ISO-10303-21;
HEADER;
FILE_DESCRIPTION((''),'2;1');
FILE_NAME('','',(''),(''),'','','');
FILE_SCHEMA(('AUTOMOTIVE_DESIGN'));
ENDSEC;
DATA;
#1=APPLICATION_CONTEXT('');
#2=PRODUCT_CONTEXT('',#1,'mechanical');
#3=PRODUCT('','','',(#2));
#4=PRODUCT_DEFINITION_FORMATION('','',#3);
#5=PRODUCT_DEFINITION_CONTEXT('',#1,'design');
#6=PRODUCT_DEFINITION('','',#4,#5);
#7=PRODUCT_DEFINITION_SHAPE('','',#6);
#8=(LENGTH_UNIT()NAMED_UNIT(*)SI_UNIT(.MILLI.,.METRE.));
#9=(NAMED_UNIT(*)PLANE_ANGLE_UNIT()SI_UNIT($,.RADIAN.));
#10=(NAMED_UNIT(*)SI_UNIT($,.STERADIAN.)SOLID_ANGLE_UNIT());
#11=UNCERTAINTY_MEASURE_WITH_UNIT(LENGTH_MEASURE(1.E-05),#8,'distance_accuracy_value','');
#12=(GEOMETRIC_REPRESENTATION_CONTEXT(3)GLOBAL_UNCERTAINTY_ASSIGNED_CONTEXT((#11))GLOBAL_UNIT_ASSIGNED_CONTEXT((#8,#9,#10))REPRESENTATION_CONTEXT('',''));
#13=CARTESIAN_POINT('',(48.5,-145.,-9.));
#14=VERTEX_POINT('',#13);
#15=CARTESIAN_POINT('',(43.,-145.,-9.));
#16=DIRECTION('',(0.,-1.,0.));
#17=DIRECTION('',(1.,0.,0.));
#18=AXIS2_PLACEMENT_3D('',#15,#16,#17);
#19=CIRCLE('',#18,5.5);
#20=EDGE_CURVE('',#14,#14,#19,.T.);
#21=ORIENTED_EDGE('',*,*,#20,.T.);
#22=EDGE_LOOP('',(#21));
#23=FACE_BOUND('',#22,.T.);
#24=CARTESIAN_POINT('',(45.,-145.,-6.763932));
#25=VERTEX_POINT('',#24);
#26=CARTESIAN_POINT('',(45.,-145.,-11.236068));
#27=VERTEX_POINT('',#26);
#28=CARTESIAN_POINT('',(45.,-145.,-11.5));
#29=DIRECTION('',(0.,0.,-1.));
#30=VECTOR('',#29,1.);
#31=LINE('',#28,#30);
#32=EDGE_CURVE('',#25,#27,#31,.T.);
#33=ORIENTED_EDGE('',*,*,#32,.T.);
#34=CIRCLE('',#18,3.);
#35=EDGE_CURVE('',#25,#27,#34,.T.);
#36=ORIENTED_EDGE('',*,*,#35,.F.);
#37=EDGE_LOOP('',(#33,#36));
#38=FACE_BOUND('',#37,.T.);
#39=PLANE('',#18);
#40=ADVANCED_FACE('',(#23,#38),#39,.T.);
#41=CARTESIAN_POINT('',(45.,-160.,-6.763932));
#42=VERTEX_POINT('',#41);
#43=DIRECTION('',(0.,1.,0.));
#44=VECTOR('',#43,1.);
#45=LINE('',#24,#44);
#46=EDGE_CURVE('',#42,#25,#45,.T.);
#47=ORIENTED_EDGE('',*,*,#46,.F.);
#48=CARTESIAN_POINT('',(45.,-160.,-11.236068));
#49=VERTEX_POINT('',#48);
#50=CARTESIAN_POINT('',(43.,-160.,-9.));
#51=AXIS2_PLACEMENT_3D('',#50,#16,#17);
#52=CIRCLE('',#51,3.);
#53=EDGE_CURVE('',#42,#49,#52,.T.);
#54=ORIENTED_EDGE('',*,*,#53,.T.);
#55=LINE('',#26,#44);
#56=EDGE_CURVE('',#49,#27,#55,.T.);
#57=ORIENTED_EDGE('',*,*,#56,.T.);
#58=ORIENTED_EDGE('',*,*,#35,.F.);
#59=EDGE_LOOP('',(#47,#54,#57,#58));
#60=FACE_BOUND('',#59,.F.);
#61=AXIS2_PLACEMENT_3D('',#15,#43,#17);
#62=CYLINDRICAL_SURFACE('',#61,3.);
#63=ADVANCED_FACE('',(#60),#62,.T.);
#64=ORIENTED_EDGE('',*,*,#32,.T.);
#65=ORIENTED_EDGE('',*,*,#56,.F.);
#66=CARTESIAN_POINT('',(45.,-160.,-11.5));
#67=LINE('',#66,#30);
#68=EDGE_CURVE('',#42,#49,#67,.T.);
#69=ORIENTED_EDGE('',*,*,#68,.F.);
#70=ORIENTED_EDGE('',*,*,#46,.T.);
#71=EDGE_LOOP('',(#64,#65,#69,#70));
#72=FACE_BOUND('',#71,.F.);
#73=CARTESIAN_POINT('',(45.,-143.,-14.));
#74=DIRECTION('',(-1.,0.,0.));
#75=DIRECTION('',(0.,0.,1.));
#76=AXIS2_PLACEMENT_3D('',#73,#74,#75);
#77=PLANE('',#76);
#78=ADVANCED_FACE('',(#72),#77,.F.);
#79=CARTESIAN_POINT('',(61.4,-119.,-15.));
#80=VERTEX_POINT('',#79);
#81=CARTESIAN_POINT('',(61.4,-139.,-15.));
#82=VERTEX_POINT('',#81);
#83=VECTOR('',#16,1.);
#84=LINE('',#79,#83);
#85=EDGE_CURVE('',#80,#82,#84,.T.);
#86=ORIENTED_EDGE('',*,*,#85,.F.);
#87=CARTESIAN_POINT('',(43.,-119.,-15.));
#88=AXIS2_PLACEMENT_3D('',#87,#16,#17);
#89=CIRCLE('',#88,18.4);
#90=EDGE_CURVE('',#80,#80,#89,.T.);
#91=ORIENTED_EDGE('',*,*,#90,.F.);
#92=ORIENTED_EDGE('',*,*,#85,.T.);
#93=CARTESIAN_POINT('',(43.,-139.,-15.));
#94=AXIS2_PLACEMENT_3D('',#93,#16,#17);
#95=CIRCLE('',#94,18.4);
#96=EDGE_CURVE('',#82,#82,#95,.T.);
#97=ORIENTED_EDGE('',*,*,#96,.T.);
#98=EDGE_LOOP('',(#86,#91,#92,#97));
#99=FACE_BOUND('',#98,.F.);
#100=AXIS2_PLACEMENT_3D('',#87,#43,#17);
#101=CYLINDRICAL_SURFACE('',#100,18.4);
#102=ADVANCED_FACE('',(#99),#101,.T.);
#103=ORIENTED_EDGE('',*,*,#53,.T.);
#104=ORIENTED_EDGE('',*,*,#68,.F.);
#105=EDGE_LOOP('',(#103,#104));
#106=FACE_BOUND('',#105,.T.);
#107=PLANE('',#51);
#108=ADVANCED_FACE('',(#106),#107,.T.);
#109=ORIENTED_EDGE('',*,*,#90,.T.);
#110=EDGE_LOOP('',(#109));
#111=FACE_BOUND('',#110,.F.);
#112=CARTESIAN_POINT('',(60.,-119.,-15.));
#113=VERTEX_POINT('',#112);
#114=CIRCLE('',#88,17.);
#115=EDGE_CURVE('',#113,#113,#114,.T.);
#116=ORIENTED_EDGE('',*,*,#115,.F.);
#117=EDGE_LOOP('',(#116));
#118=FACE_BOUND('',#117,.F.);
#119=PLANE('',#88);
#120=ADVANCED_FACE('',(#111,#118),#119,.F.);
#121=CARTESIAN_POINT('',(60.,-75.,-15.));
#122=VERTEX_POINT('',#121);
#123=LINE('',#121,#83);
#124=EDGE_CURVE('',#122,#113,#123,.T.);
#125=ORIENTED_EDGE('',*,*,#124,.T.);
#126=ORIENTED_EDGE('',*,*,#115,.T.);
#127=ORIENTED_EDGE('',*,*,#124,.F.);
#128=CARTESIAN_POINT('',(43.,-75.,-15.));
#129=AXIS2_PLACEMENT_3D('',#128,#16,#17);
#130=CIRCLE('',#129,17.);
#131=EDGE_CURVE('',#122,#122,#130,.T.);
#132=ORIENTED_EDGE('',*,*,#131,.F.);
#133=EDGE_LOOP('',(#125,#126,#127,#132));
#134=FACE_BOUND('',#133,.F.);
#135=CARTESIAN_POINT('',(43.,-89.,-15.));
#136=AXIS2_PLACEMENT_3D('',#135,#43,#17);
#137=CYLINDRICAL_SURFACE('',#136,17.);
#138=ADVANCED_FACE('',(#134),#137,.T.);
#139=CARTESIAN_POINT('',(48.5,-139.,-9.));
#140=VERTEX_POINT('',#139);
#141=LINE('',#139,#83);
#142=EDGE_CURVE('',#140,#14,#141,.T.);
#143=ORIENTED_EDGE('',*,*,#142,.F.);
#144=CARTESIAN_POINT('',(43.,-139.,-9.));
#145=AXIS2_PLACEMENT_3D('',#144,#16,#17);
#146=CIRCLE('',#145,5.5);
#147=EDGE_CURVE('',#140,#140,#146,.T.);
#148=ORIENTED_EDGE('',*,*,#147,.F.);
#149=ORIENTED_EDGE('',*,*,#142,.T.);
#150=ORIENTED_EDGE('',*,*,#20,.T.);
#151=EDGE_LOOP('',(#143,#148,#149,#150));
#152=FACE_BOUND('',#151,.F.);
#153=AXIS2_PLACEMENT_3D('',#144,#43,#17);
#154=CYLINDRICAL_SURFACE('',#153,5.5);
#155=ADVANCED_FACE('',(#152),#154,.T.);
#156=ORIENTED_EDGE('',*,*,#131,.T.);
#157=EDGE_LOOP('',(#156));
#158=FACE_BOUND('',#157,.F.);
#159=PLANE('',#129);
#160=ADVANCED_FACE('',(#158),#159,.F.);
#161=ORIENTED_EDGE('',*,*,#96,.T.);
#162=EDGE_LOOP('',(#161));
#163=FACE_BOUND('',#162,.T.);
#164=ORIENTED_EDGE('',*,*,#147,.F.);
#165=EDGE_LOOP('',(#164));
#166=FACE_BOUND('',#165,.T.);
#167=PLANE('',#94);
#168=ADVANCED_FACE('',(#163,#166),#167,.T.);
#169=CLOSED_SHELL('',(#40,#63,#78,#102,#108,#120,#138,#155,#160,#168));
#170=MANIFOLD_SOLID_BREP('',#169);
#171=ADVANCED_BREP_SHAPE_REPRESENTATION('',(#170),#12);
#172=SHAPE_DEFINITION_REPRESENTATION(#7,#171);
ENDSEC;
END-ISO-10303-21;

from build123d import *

# Parameters (mm, degrees)
CYLINDER014_R        = 17
CYLINDER014_DEPTH    = 14
CYLINDER015_R        = 5.5
CYLINDER015_DEPTH    = 6
CYLINDER013_R        = 17
CYLINDER013_DEPTH    = 30
BOX002_W             = 11
BOX002_H             = 10
BOX002_DEPTH         = 21
CYLINDER016_R        = 3
CYLINDER016_DEPTH    = 15
CYLINDER012_R        = 18.4
CYLINDER012_DEPTH    = 20
FUSION002_ROLL_ANGLE = 90


with BuildPart() as encoder001:
    # Cylinder014 → Cylinder014 (new body)
    with BuildSketch(Plane(origin=(0, -298, 0), x_dir=(1, 0, 0), z_dir=(0, 0, 1))):
        Circle(CYLINDER014_R)
    extrude(amount=CYLINDER014_DEPTH)


with BuildPart() as cilindro002:
    # Cylinder015 → Cylinder015 (new body)
    with BuildSketch(Plane(origin=(0, -292, 64), x_dir=(1, 0, 0), z_dir=(0, 0, 1))):
        Circle(CYLINDER015_R)
    extrude(amount=CYLINDER015_DEPTH)


with BuildPart() as motor001:
    # Cylinder013 → Cylinder013 (new body)
    with BuildSketch(Plane(origin=(0, -298, 14), x_dir=(1, 0, 0), z_dir=(0, 0, 1))):
        Circle(CYLINDER013_R)
    extrude(amount=CYLINDER013_DEPTH)


with BuildPart() as cubo001:
    # Box002 → Box002 (new body)
    with BuildSketch(Plane(origin=(2, -191, -2), x_dir=(1, 0, 0), z_dir=(0, 0, 1))):
        with Locations((5.5, 5)):
            Rectangle(BOX002_W, BOX002_H)
    extrude(amount=BOX002_DEPTH)


with BuildPart() as cut001:
    # Cylinder016 → Cylinder016 (new body)
    with BuildSketch(Plane(origin=(0, -186, 0), x_dir=(1, 0, 0), z_dir=(0, 0, 1))):
        Circle(CYLINDER016_R)
    extrude(amount=CYLINDER016_DEPTH)

    # Cut001: cut Cubo001
    add(cubo001.part, mode=Mode.SUBTRACT)


with BuildPart() as cut001_1:
    # Cut001 placement: moved
    add(cut001.part.moved(Location((0, -106, 70))))


with BuildPart() as motor_37dx68l001_derecha:
    # Cylinder012 → Cylinder012 (new body)
    with BuildSketch(Plane(origin=(0, -298, 44), x_dir=(1, 0, 0), z_dir=(0, 0, 1))):
        Circle(CYLINDER012_R)
    extrude(amount=CYLINDER012_DEPTH)

    # Fusion002: union Encoder001, Cilindro002, Motor001, Cut001
    add(encoder001.part)
    add(cilindro002.part)
    add(motor001.part)
    add(cut001_1.part)


with BuildPart() as motor_37dx68l001_derecha_1:
    # Fusion002 roll: moved
    add(motor_37dx68l001_derecha.part.rotate(Axis((0, 0, 0), (1, 0, 0)), FUSION002_ROLL_ANGLE))


with BuildPart() as motor_37dx68l001_derecha_2:
    # Fusion002 placement: moved
    add(motor_37dx68l001_derecha_1.part.moved(Location((43, -75, 283))))


solid = motor_37dx68l001_derecha_2.part
